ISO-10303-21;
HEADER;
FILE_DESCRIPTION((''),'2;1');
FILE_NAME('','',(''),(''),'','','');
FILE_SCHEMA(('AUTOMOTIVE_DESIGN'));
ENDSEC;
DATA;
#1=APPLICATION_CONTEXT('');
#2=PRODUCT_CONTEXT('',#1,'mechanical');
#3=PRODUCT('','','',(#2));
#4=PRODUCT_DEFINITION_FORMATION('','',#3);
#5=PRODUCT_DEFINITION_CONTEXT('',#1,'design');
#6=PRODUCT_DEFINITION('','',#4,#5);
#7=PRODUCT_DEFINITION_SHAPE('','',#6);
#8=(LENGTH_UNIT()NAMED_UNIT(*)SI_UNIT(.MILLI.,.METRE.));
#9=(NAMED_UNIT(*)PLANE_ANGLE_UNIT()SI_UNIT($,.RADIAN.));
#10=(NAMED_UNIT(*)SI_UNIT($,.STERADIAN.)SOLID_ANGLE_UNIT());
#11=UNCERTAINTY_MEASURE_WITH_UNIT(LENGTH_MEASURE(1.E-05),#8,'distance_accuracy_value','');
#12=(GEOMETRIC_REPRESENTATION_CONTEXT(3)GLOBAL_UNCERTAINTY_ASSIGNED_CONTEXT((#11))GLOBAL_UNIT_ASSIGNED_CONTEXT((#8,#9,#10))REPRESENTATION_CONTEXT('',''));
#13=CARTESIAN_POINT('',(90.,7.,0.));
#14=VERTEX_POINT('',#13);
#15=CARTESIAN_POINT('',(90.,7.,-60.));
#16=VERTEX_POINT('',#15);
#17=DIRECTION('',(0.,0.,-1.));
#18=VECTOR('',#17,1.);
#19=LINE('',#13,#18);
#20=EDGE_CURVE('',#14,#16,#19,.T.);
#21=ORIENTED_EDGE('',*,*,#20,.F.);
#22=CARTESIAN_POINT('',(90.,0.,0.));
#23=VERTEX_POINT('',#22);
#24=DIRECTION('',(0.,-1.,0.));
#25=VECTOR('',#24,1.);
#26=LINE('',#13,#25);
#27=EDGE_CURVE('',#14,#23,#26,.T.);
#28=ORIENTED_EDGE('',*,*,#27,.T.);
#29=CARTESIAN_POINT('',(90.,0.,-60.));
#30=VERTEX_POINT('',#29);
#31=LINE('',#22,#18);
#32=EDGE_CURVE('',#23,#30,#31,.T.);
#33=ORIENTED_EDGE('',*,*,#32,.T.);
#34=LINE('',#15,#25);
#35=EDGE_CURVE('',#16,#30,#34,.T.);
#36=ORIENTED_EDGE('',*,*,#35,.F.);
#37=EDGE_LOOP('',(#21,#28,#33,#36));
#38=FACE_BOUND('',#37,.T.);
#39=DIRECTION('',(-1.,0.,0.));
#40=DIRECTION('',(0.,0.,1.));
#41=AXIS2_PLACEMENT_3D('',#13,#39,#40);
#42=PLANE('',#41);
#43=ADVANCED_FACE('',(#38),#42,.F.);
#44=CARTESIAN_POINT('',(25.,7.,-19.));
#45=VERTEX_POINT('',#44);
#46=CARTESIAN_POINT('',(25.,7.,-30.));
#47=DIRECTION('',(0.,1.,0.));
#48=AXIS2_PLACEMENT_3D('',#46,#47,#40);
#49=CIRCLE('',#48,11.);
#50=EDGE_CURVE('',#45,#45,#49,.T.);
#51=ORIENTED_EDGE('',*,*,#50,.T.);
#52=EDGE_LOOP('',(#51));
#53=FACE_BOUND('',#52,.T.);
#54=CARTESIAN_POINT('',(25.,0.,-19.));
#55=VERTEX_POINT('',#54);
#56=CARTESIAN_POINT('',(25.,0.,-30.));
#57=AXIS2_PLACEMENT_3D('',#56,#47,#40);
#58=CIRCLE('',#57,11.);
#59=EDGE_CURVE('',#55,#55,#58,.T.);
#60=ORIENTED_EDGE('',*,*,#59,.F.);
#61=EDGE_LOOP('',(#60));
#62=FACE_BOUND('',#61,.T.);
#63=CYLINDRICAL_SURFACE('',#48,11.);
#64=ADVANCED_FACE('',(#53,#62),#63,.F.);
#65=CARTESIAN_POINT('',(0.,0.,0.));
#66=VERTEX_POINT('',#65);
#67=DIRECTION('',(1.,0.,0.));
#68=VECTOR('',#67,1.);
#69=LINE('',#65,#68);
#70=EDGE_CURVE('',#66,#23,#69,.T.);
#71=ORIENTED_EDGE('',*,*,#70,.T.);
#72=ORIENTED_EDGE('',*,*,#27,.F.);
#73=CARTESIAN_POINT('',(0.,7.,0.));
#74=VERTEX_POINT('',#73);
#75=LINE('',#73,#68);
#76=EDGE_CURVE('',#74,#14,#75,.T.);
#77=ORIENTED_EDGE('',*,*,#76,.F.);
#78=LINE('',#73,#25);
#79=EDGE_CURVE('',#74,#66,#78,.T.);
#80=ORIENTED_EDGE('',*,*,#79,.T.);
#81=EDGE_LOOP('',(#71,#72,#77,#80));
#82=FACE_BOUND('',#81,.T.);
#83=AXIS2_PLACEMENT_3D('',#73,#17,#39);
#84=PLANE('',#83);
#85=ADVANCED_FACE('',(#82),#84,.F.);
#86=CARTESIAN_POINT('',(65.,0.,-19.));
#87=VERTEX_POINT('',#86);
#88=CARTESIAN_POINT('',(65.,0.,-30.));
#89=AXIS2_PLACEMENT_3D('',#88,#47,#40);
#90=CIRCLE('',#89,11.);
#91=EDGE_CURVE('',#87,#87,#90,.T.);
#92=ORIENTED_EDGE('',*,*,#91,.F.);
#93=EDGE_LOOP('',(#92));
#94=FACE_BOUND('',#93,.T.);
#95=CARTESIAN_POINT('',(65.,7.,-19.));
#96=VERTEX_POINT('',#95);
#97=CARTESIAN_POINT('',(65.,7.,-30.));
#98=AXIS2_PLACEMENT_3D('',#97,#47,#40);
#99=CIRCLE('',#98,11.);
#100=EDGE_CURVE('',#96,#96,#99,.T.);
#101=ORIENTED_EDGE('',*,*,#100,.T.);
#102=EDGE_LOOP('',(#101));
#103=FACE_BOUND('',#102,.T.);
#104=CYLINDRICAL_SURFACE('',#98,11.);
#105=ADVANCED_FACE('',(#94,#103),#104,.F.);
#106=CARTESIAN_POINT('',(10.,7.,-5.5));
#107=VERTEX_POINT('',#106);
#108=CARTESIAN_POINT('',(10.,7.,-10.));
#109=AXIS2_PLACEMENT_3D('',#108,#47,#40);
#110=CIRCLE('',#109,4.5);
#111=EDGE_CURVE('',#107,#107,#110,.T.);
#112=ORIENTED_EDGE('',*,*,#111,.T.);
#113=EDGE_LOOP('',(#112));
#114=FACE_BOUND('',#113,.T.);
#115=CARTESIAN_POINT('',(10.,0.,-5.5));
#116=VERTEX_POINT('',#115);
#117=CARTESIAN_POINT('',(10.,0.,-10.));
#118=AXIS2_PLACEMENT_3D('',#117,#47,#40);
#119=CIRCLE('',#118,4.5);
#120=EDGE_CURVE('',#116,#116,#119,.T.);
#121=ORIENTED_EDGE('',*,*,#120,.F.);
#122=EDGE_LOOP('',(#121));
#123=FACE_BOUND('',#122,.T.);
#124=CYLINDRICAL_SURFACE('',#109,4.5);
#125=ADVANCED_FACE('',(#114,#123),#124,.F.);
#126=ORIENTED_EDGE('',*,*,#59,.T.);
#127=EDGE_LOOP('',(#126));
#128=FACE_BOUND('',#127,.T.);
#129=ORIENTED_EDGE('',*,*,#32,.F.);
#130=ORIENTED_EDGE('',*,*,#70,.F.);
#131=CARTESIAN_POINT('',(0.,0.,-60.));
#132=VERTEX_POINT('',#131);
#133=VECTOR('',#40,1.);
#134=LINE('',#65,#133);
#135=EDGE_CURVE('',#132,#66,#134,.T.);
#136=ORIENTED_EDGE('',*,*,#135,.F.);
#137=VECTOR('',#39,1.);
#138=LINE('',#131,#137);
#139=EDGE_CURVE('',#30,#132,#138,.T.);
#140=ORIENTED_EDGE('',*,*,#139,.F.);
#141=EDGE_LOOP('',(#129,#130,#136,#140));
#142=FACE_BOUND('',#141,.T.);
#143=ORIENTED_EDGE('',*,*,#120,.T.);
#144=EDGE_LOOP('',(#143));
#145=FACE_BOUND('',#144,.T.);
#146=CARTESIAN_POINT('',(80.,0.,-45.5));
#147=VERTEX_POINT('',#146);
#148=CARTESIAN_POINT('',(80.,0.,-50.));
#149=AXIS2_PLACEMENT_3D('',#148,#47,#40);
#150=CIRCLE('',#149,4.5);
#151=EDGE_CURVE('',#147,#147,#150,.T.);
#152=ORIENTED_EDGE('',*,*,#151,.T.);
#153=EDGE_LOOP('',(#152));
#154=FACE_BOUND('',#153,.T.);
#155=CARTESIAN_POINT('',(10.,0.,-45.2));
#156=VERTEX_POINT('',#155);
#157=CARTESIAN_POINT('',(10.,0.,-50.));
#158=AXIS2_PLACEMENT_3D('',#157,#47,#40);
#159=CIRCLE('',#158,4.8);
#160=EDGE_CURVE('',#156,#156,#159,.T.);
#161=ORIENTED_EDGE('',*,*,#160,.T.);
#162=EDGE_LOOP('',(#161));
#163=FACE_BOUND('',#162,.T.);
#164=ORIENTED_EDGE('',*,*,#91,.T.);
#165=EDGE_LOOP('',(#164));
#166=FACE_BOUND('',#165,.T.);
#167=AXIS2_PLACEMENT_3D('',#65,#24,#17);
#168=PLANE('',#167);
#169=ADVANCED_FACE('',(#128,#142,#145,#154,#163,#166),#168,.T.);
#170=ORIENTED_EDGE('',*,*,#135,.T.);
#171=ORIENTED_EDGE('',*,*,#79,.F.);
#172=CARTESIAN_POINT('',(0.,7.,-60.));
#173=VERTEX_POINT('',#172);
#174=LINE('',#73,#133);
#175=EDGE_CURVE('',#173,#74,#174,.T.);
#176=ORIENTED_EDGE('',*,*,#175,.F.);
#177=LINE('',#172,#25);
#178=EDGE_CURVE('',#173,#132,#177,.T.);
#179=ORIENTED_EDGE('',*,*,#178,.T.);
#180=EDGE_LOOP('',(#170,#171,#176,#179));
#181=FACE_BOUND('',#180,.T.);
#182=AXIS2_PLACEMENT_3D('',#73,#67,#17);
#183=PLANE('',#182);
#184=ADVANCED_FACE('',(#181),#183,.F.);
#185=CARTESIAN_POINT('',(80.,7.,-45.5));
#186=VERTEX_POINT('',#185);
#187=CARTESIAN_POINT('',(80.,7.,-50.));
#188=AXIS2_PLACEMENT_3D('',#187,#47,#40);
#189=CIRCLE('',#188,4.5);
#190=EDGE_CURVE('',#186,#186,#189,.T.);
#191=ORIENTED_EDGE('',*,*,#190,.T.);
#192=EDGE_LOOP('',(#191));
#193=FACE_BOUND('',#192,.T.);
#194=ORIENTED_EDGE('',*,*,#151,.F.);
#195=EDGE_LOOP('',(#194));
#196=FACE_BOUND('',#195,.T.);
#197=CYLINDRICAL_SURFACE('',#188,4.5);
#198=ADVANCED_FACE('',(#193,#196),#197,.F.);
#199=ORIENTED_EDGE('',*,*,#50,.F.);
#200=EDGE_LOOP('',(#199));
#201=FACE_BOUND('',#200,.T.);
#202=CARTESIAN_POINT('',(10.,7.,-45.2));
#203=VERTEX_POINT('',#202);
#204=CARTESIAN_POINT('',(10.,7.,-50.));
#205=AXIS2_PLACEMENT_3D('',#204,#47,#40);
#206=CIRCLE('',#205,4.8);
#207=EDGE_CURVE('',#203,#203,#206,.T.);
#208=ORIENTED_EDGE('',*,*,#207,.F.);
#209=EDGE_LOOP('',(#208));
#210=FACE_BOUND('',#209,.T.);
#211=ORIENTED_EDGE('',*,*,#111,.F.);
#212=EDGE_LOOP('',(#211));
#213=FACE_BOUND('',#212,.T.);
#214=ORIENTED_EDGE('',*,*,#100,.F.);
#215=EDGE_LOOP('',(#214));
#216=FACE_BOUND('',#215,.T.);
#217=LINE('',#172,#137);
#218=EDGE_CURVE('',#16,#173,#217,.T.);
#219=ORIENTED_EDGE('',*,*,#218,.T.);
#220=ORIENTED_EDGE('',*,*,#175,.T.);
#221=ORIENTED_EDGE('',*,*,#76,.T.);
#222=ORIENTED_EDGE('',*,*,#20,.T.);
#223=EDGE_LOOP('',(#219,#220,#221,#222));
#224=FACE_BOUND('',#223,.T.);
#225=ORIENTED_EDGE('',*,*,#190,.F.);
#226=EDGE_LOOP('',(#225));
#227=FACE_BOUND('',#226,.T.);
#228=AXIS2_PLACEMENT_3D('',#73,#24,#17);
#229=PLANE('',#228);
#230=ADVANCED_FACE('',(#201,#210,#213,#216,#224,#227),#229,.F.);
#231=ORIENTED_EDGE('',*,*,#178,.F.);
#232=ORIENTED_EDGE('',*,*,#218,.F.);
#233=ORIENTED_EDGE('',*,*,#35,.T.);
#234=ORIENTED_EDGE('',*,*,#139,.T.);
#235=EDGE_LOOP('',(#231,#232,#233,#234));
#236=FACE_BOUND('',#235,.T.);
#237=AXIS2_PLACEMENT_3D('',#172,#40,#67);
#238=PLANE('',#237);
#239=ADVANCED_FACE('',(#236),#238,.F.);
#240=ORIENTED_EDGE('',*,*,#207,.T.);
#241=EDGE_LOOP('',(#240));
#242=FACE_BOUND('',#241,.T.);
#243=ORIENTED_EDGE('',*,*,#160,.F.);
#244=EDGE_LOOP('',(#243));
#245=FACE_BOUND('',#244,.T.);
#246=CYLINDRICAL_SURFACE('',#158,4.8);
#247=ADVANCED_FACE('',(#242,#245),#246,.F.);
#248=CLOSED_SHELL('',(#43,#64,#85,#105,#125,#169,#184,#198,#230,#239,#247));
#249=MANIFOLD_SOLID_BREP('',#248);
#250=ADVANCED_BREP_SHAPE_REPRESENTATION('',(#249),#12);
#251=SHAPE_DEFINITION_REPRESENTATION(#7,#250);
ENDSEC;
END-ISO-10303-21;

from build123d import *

# Parameters (mm, degrees)
SKETCH1_W             = 90
SKETCH1_H             = 60
BOSS_EXTRUDE1_DEPTH   = 7
M20_CLEARANCE_SLOT1_D = 22
M8_CLEARANCE_SLOT1_D  = 9
SKETCH8_R             = 4.8
CUT_EXTRUDE1_DEPTH    = 7


with BuildPart() as part:
    # Sketch1 → Boss-Extrude1 (new body)
    with BuildSketch(Plane(origin=(0, 0, 0), x_dir=(1, 0, 0), z_dir=(0, 1, 0))):
        with Locations((45, 30)):
            Rectangle(SKETCH1_W, SKETCH1_H)
    extrude(amount=BOSS_EXTRUDE1_DEPTH)

    # M20 Clearance Slot1 (through all)
    with Locations(Plane(origin=(0, 7, 0), x_dir=(1, 0, 0), z_dir=(0, 1, 0))):
        with Locations((25, 30), (65, 30)):
            Hole(M20_CLEARANCE_SLOT1_D / 2)

    # M8 Clearance Slot1 (through all)
    with Locations(Plane(origin=(0, 7, 0), x_dir=(1, 0, 0), z_dir=(0, 1, 0))):
        with Locations((80, 50), (10, 10)):
            Hole(M8_CLEARANCE_SLOT1_D / 2)

    # Sketch8 → Cut-Extrude1 (cut)
    with BuildSketch(Plane(origin=(0, 7, 0), x_dir=(1, 0, 0), z_dir=(0, 1, 0))):
        with Locations(Location((10, 50, 0), (0, 0, 270))):
            Circle(SKETCH8_R)
    extrude(amount=-CUT_EXTRUDE1_DEPTH, mode=Mode.SUBTRACT)


solid = part.part
